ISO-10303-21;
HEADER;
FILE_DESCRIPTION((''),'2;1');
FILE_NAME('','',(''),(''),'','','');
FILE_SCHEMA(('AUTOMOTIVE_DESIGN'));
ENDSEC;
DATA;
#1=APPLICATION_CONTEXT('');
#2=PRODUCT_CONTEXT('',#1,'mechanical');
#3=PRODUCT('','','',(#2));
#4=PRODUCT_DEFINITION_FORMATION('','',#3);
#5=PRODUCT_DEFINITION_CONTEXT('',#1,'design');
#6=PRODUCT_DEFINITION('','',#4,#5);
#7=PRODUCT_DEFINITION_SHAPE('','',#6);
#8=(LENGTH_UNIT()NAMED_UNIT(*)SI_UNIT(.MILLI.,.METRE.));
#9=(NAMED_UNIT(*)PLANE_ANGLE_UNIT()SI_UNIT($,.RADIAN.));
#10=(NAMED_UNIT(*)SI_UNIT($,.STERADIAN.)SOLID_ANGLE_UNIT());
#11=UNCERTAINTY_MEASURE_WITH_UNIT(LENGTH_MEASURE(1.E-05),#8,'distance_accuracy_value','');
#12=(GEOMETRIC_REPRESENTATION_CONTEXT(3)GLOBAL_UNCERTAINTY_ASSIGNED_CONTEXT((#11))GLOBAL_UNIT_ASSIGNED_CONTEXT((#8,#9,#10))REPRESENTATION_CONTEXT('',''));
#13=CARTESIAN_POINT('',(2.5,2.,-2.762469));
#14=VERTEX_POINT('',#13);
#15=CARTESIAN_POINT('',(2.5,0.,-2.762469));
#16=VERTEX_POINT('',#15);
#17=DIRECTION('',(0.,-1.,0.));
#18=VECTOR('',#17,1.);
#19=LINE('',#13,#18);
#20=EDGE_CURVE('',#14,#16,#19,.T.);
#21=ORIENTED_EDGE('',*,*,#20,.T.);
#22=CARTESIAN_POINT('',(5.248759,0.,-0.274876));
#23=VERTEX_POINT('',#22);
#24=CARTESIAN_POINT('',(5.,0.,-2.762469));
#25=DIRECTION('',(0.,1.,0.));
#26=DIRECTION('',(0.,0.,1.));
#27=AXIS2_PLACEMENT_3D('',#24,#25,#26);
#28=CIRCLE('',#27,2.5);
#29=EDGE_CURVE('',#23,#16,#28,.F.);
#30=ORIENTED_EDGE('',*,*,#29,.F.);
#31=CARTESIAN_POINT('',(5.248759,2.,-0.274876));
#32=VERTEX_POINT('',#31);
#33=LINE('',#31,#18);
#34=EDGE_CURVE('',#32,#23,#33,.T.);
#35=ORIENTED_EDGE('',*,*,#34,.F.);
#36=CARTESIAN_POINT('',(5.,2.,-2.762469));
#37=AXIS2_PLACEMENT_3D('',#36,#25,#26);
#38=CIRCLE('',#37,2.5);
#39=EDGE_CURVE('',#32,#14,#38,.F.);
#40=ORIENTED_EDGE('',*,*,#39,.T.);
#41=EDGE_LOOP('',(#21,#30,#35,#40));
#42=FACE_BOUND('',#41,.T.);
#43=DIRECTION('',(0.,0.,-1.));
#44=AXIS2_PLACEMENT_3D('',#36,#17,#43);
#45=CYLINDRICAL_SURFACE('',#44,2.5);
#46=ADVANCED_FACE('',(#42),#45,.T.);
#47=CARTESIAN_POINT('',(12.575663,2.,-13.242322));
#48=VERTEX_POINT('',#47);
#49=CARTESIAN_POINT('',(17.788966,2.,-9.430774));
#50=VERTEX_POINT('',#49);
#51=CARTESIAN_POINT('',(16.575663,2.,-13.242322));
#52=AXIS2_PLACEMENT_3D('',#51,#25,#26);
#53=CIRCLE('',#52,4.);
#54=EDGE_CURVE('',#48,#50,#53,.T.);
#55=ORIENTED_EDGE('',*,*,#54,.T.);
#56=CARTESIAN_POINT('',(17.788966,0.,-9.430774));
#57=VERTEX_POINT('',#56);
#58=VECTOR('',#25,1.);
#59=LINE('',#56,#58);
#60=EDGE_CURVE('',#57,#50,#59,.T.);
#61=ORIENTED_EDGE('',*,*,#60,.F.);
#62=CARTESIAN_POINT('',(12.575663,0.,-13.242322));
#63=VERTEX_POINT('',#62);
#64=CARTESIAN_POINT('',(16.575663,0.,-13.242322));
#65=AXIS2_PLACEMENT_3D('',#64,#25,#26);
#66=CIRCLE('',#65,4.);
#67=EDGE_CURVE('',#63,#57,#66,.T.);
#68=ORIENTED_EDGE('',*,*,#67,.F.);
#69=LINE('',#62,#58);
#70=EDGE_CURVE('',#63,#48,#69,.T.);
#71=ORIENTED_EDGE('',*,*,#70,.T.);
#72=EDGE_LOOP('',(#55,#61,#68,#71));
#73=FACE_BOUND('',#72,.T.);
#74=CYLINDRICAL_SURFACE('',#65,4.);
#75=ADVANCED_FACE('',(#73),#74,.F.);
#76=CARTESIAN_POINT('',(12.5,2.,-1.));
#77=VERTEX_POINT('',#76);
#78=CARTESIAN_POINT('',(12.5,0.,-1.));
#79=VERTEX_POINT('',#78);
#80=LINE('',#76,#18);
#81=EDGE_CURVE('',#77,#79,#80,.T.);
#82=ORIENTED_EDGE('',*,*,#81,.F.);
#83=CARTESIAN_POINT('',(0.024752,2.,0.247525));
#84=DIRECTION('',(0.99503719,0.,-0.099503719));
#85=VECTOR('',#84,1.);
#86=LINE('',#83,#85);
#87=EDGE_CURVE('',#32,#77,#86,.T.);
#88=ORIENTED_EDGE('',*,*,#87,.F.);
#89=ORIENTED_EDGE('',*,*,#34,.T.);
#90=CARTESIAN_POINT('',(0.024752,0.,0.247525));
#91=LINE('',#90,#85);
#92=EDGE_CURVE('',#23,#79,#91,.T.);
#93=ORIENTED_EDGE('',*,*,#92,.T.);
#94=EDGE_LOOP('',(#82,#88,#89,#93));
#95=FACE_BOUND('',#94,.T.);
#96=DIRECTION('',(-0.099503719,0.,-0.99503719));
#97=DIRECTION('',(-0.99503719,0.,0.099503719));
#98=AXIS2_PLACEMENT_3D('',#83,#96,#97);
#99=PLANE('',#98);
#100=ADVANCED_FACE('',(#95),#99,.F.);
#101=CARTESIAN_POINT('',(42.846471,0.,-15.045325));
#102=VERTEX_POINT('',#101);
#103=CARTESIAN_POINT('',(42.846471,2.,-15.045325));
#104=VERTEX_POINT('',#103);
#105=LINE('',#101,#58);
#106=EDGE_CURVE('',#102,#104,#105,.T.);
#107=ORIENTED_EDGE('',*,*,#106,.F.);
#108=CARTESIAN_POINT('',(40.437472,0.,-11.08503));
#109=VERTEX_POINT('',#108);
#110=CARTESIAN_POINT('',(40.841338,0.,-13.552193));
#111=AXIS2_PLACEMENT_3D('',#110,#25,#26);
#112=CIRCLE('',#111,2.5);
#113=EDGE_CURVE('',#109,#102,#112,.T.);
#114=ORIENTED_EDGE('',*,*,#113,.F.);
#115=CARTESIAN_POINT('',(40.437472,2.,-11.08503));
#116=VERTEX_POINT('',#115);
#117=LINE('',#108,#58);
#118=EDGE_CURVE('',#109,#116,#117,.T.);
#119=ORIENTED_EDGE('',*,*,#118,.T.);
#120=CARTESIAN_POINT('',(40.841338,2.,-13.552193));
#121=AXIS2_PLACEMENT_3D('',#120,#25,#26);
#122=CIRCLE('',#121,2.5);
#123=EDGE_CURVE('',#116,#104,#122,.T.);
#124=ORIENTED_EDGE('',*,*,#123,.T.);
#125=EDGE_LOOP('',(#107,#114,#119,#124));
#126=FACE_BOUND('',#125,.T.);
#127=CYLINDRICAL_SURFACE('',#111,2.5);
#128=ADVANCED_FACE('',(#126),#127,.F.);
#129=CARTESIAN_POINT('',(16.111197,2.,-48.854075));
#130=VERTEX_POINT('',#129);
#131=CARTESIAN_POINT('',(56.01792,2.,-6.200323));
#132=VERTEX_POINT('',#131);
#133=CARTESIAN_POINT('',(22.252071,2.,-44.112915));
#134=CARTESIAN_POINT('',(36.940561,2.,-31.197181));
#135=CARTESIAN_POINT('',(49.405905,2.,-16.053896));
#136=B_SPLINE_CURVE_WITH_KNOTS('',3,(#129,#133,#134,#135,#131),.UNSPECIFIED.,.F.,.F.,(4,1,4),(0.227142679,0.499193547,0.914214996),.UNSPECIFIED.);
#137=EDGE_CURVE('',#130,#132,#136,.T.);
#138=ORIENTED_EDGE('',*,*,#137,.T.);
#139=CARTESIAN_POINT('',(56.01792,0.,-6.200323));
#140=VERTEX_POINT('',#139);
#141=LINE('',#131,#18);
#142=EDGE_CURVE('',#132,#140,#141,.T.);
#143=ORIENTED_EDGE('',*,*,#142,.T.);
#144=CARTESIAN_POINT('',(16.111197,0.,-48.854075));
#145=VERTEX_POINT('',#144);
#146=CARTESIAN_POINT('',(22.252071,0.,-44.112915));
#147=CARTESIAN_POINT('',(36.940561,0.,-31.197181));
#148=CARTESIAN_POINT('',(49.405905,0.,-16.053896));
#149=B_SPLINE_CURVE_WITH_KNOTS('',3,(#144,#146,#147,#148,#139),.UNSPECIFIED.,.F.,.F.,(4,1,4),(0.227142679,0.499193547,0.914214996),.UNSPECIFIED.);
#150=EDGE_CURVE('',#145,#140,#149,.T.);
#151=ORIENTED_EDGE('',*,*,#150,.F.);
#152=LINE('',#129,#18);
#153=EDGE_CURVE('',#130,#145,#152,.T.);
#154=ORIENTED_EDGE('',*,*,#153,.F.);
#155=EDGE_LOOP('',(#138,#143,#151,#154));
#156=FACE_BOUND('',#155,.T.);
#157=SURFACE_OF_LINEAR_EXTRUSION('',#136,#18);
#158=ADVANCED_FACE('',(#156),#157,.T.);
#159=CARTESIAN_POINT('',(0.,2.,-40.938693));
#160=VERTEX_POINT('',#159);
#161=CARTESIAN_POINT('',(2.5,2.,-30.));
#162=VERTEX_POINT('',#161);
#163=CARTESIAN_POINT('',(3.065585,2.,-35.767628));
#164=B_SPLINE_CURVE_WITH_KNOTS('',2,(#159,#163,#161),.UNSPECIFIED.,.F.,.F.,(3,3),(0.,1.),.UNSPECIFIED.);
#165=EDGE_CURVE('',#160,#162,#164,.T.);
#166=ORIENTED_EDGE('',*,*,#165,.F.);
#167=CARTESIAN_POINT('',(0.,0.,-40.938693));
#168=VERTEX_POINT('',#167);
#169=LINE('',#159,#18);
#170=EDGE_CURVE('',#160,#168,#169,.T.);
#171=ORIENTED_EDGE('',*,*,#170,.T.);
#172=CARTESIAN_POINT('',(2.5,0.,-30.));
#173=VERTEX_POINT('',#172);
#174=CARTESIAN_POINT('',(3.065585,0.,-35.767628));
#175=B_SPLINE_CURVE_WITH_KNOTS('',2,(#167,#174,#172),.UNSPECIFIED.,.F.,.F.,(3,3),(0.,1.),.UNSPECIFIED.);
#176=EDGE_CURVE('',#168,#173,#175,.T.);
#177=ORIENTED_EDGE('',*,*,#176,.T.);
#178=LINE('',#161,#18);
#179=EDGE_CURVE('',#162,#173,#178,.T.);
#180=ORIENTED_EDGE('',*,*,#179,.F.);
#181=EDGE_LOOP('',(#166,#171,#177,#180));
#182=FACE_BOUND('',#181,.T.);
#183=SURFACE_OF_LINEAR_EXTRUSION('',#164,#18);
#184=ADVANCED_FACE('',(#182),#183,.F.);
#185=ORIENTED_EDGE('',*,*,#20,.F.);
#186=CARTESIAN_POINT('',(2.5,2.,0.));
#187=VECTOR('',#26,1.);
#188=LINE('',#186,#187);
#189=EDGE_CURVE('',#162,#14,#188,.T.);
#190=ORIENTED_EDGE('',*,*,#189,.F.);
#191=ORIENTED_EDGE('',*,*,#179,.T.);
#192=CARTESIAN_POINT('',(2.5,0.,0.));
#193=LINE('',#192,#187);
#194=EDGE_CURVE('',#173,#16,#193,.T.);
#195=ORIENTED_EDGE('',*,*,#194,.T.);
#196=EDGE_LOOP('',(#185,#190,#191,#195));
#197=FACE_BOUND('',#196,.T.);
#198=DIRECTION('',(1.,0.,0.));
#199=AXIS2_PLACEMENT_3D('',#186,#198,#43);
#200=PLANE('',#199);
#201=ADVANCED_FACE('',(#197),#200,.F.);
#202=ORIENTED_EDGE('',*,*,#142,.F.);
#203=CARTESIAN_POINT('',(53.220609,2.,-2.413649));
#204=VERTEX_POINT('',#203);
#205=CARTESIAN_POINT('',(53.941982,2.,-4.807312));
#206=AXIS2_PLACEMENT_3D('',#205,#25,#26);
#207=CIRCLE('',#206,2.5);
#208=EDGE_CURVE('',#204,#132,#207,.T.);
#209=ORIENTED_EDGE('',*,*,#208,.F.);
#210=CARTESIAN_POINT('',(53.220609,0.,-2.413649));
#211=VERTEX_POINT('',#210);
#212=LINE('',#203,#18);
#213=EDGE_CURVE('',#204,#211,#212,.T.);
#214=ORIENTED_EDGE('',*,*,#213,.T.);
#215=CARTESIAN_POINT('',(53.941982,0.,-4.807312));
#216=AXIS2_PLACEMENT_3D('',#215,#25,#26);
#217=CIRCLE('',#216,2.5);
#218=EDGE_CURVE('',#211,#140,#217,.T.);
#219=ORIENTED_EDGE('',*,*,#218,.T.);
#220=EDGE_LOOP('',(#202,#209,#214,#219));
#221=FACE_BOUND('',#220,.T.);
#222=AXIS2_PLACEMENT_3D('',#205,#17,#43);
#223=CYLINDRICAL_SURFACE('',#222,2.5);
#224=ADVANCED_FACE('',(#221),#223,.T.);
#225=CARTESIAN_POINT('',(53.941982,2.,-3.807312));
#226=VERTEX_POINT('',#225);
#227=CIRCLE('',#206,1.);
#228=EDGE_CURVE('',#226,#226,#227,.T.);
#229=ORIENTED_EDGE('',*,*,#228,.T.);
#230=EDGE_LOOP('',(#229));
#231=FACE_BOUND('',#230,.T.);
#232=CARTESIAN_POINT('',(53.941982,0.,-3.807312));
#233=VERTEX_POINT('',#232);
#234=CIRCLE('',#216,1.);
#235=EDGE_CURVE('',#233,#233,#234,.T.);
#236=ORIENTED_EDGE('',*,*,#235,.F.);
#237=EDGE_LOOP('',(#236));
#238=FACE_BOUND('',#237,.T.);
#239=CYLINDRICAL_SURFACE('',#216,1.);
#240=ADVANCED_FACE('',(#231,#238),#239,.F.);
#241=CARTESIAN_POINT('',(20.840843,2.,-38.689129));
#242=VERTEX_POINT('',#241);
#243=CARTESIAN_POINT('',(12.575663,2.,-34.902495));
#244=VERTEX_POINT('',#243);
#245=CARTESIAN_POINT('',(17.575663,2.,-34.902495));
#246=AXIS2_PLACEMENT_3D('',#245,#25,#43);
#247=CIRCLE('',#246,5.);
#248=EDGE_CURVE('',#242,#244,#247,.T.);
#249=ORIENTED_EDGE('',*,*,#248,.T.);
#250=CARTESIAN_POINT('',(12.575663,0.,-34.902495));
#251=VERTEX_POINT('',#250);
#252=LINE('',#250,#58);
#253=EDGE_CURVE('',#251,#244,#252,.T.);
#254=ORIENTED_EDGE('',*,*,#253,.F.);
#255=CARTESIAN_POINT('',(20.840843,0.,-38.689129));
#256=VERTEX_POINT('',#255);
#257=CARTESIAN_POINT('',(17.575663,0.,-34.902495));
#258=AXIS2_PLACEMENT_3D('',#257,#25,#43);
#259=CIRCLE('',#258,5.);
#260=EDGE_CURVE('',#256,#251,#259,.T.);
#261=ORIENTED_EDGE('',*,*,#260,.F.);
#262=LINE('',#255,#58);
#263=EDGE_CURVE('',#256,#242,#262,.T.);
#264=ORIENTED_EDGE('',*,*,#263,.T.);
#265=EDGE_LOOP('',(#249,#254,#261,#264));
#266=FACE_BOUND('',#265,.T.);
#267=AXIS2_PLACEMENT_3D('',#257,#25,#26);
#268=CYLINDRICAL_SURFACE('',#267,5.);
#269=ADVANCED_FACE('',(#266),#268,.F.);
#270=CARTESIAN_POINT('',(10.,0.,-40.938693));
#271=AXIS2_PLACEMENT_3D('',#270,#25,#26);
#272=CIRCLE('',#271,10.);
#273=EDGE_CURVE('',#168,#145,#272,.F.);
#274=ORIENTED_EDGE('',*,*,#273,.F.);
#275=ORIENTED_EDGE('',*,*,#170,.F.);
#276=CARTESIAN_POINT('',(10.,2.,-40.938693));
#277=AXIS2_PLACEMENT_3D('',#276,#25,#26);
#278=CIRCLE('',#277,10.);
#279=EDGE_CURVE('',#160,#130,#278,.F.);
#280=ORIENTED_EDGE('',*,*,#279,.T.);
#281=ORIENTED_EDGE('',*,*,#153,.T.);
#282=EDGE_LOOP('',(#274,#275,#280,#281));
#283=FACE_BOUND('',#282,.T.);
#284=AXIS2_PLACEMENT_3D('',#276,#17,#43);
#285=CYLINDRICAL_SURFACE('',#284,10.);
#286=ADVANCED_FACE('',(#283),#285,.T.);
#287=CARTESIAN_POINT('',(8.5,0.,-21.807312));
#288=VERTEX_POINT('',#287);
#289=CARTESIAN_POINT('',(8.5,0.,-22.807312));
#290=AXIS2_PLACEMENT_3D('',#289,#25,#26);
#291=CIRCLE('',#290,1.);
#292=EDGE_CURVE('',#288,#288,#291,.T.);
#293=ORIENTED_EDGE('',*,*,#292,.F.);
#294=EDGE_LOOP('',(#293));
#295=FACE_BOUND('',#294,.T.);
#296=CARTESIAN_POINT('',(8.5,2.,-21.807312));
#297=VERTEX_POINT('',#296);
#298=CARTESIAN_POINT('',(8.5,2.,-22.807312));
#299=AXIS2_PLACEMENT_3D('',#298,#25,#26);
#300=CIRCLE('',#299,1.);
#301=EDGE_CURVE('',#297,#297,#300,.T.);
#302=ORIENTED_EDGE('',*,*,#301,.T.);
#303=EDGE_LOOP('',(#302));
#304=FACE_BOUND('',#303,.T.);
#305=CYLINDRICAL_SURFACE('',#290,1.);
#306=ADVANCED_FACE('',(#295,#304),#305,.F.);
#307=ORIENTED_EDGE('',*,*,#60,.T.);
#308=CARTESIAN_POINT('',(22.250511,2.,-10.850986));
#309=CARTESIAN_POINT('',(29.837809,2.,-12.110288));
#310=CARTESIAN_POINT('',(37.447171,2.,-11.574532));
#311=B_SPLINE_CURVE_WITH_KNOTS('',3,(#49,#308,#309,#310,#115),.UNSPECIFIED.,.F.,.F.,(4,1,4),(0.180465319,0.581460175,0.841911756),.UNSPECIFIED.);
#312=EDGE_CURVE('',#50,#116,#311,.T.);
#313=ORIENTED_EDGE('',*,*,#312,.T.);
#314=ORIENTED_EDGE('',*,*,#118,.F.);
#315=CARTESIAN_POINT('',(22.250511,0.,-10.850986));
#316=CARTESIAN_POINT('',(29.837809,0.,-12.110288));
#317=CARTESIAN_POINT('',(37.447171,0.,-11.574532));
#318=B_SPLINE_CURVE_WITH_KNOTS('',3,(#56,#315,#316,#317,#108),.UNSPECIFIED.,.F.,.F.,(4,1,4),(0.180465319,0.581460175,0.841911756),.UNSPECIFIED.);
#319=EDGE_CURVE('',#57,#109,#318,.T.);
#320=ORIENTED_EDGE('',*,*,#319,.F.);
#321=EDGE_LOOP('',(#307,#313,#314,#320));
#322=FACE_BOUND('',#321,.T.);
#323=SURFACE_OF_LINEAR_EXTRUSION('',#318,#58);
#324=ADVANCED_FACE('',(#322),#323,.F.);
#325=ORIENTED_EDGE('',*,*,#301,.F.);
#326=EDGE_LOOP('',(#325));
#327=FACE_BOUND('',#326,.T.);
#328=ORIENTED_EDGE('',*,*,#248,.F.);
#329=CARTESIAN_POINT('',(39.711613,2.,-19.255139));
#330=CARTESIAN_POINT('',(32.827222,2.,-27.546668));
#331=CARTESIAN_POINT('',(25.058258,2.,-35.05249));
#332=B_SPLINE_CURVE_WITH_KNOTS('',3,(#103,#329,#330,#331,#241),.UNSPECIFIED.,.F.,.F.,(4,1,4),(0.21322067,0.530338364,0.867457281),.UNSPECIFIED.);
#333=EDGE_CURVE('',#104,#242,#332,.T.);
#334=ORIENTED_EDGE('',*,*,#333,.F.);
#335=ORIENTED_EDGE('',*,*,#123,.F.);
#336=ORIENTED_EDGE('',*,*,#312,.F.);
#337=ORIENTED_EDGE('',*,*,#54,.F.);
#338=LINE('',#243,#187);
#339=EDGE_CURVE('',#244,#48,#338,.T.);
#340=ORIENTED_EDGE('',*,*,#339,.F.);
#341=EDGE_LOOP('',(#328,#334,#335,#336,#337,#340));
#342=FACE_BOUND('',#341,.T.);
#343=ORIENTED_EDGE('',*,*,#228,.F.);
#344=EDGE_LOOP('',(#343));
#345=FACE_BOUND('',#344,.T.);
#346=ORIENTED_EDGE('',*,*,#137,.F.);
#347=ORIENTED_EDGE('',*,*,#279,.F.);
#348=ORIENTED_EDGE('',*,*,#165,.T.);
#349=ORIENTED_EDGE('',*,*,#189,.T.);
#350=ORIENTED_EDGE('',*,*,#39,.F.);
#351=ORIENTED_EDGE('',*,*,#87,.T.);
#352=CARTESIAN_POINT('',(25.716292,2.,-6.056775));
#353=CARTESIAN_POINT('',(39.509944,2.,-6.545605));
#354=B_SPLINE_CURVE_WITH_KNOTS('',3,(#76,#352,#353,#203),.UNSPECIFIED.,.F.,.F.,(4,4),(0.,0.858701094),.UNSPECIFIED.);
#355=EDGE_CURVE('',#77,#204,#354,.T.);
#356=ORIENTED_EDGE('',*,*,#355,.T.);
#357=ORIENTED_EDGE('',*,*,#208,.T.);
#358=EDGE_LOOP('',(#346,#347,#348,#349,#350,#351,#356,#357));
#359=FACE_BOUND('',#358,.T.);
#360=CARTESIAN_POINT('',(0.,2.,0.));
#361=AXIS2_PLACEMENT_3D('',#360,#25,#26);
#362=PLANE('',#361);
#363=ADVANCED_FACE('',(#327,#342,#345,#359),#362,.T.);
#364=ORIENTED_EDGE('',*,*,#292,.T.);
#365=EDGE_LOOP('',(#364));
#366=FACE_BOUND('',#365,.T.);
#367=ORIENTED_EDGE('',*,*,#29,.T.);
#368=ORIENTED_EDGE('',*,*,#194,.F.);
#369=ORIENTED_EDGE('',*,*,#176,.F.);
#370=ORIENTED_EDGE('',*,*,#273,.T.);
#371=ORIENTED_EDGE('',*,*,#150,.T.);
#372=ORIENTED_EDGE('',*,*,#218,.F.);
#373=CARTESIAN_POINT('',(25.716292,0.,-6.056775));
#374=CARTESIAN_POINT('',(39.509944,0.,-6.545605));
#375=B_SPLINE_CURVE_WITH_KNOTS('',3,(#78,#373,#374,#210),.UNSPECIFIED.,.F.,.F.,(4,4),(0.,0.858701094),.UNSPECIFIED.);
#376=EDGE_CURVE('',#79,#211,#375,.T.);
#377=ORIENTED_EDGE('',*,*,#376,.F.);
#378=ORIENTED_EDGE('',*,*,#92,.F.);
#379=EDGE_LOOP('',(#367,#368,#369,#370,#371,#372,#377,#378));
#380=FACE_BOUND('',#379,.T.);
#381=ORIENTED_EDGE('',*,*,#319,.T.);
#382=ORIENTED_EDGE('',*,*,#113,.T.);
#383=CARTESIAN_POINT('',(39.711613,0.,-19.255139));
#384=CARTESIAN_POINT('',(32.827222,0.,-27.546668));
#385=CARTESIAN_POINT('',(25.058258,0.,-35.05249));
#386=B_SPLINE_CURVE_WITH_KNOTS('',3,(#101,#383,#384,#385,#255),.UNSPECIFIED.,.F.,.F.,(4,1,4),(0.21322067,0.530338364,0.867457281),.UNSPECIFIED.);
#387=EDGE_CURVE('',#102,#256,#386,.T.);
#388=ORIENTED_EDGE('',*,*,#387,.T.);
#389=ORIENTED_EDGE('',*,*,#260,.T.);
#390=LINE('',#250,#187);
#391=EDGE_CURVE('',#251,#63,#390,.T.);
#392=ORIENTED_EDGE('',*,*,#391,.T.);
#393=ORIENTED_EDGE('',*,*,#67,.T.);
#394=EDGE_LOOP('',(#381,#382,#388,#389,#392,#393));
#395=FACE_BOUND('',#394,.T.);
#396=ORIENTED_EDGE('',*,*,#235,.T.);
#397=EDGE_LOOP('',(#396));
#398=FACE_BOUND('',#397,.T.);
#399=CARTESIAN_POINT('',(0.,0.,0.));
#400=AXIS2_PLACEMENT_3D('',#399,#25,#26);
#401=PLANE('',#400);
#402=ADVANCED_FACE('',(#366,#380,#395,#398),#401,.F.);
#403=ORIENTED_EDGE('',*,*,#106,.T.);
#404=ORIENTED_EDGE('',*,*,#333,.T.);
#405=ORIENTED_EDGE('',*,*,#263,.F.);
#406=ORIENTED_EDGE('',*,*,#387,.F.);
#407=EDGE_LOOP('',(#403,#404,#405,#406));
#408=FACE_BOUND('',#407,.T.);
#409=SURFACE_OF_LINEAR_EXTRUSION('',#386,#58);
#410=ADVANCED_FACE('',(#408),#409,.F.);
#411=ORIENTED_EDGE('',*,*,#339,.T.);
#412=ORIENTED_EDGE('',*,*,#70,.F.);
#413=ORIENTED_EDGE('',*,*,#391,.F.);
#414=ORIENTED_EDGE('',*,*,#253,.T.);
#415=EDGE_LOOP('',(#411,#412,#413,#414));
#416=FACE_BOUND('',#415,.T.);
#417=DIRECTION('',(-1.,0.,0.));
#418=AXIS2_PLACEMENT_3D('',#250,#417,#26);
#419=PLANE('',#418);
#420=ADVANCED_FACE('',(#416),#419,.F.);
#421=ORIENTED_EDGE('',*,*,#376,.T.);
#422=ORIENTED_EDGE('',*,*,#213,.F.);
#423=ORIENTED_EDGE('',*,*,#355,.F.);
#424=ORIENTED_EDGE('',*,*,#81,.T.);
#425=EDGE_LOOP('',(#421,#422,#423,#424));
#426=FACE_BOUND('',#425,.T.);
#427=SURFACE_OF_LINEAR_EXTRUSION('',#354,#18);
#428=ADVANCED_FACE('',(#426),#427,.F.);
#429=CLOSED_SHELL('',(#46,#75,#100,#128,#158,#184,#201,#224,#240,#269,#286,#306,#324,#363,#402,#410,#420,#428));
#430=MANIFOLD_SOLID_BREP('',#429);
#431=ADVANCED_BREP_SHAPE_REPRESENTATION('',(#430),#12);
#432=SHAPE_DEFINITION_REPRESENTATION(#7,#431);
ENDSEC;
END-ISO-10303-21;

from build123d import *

# Parameters (mm, degrees)
BOSS_EXTRUDE1_DEPTH = 2
SKETCH2_R           = 1
CUT_EXTRUDE1_DEPTH  = 3.0000001


with BuildPart() as part:
    # Sketch1 → Boss-Extrude1 (new body)
    with BuildSketch(Plane(origin=(0, 0, 0), x_dir=(1, 0, 0), z_dir=(0, 1, 0))):
        with BuildLine():
            Line((5.248759298, 0.27487593), (12.5, 1))
            add(Edge.make_bspline(
                [(12.5, 1), (25.716292058, 6.056775104), (39.5099436, 6.545604881), (53.220608515, 2.413649078)],
                knots=[0, 0, 0, 0, 0.858701094, 0.858701094, 0.858701094, 0.858701094], degree=3))
            ThreePointArc((53.220608515, 2.413649078), (55.952811517, 3.321860873), (56.017920205, 6.200322748))
            add(Edge.make_bspline(
                [(16.11119686, 48.85407535), (22.252071457, 44.112915248), (36.940561271, 31.197181318), (49.405904782, 16.053895714), (56.017920205, 6.200322748)],
                knots=[0.227142679, 0.227142679, 0.227142679, 0.227142679, 0.499193547, 0.914214996, 0.914214996, 0.914214996, 0.914214996], degree=3))
            ThreePointArc((16.11119686, 48.85407535), (5.590463097, 49.913991867), (0, 40.938693304))
            add(Edge.make_bspline(
                [(0, 40.938693304), (3.065585296, 35.767628216), (2.5, 30)],
                knots=[0, 0, 0, 1, 1, 1], degree=2))
            Line((2.5, 30), (2.5, 2.762468905))
            ThreePointArc((2.5, 2.762468905), (3.322486698, 0.908837571), (5.248759298, 0.27487593))
        make_face()
    extrude(amount=BOSS_EXTRUDE1_DEPTH)

    # Sketch2 → Cut-Extrude1 (cut, through all)
    with BuildSketch(Plane(origin=(0, 2, 0), x_dir=(1, 0, 0), z_dir=(0, 1, 0))):
        with Locations((53.941981842, 4.807311653)):
            Circle(SKETCH2_R)
        with Locations((8.5, 22.807311653)):
            Circle(SKETCH2_R)
        with BuildLine():
            Line((12.575662954, 34.90249481), (12.575662954, 13.24232221))
            ThreePointArc((12.575662954, 13.24232221), (14.214859141, 10.01329676), (17.788965632, 9.430774412))
            add(Edge.make_bspline(
                [(40.437472292, 11.085030457), (37.44717133, 11.574532132), (29.837808842, 12.110288208), (22.250510571, 10.850986019), (17.788965632, 9.430774412)],
                knots=[0.180465319, 0.180465319, 0.180465319, 0.180465319, 0.4409169, 0.841911756, 0.841911756, 0.841911756, 0.841911756], degree=3))
            ThreePointArc((40.437472292, 11.085030457), (42.977221324, 12.252961632), (42.846470999, 15.045324919))
            add(Edge.make_bspline(
                [(20.840843033, 38.689129074), (25.058258326, 35.052490455), (32.827221728, 27.546668383), (39.711612857, 19.255139389), (42.846470999, 15.045324919)],
                knots=[0.21322067, 0.21322067, 0.21322067, 0.21322067, 0.550339586, 0.867457281, 0.867457281, 0.867457281, 0.867457281], degree=3))
            ThreePointArc((20.840843033, 38.689129074), (15.493104479, 39.448146601), (12.575662954, 34.90249481))
        make_face()
    extrude(amount=-CUT_EXTRUDE1_DEPTH, mode=Mode.SUBTRACT)


solid = part.part
